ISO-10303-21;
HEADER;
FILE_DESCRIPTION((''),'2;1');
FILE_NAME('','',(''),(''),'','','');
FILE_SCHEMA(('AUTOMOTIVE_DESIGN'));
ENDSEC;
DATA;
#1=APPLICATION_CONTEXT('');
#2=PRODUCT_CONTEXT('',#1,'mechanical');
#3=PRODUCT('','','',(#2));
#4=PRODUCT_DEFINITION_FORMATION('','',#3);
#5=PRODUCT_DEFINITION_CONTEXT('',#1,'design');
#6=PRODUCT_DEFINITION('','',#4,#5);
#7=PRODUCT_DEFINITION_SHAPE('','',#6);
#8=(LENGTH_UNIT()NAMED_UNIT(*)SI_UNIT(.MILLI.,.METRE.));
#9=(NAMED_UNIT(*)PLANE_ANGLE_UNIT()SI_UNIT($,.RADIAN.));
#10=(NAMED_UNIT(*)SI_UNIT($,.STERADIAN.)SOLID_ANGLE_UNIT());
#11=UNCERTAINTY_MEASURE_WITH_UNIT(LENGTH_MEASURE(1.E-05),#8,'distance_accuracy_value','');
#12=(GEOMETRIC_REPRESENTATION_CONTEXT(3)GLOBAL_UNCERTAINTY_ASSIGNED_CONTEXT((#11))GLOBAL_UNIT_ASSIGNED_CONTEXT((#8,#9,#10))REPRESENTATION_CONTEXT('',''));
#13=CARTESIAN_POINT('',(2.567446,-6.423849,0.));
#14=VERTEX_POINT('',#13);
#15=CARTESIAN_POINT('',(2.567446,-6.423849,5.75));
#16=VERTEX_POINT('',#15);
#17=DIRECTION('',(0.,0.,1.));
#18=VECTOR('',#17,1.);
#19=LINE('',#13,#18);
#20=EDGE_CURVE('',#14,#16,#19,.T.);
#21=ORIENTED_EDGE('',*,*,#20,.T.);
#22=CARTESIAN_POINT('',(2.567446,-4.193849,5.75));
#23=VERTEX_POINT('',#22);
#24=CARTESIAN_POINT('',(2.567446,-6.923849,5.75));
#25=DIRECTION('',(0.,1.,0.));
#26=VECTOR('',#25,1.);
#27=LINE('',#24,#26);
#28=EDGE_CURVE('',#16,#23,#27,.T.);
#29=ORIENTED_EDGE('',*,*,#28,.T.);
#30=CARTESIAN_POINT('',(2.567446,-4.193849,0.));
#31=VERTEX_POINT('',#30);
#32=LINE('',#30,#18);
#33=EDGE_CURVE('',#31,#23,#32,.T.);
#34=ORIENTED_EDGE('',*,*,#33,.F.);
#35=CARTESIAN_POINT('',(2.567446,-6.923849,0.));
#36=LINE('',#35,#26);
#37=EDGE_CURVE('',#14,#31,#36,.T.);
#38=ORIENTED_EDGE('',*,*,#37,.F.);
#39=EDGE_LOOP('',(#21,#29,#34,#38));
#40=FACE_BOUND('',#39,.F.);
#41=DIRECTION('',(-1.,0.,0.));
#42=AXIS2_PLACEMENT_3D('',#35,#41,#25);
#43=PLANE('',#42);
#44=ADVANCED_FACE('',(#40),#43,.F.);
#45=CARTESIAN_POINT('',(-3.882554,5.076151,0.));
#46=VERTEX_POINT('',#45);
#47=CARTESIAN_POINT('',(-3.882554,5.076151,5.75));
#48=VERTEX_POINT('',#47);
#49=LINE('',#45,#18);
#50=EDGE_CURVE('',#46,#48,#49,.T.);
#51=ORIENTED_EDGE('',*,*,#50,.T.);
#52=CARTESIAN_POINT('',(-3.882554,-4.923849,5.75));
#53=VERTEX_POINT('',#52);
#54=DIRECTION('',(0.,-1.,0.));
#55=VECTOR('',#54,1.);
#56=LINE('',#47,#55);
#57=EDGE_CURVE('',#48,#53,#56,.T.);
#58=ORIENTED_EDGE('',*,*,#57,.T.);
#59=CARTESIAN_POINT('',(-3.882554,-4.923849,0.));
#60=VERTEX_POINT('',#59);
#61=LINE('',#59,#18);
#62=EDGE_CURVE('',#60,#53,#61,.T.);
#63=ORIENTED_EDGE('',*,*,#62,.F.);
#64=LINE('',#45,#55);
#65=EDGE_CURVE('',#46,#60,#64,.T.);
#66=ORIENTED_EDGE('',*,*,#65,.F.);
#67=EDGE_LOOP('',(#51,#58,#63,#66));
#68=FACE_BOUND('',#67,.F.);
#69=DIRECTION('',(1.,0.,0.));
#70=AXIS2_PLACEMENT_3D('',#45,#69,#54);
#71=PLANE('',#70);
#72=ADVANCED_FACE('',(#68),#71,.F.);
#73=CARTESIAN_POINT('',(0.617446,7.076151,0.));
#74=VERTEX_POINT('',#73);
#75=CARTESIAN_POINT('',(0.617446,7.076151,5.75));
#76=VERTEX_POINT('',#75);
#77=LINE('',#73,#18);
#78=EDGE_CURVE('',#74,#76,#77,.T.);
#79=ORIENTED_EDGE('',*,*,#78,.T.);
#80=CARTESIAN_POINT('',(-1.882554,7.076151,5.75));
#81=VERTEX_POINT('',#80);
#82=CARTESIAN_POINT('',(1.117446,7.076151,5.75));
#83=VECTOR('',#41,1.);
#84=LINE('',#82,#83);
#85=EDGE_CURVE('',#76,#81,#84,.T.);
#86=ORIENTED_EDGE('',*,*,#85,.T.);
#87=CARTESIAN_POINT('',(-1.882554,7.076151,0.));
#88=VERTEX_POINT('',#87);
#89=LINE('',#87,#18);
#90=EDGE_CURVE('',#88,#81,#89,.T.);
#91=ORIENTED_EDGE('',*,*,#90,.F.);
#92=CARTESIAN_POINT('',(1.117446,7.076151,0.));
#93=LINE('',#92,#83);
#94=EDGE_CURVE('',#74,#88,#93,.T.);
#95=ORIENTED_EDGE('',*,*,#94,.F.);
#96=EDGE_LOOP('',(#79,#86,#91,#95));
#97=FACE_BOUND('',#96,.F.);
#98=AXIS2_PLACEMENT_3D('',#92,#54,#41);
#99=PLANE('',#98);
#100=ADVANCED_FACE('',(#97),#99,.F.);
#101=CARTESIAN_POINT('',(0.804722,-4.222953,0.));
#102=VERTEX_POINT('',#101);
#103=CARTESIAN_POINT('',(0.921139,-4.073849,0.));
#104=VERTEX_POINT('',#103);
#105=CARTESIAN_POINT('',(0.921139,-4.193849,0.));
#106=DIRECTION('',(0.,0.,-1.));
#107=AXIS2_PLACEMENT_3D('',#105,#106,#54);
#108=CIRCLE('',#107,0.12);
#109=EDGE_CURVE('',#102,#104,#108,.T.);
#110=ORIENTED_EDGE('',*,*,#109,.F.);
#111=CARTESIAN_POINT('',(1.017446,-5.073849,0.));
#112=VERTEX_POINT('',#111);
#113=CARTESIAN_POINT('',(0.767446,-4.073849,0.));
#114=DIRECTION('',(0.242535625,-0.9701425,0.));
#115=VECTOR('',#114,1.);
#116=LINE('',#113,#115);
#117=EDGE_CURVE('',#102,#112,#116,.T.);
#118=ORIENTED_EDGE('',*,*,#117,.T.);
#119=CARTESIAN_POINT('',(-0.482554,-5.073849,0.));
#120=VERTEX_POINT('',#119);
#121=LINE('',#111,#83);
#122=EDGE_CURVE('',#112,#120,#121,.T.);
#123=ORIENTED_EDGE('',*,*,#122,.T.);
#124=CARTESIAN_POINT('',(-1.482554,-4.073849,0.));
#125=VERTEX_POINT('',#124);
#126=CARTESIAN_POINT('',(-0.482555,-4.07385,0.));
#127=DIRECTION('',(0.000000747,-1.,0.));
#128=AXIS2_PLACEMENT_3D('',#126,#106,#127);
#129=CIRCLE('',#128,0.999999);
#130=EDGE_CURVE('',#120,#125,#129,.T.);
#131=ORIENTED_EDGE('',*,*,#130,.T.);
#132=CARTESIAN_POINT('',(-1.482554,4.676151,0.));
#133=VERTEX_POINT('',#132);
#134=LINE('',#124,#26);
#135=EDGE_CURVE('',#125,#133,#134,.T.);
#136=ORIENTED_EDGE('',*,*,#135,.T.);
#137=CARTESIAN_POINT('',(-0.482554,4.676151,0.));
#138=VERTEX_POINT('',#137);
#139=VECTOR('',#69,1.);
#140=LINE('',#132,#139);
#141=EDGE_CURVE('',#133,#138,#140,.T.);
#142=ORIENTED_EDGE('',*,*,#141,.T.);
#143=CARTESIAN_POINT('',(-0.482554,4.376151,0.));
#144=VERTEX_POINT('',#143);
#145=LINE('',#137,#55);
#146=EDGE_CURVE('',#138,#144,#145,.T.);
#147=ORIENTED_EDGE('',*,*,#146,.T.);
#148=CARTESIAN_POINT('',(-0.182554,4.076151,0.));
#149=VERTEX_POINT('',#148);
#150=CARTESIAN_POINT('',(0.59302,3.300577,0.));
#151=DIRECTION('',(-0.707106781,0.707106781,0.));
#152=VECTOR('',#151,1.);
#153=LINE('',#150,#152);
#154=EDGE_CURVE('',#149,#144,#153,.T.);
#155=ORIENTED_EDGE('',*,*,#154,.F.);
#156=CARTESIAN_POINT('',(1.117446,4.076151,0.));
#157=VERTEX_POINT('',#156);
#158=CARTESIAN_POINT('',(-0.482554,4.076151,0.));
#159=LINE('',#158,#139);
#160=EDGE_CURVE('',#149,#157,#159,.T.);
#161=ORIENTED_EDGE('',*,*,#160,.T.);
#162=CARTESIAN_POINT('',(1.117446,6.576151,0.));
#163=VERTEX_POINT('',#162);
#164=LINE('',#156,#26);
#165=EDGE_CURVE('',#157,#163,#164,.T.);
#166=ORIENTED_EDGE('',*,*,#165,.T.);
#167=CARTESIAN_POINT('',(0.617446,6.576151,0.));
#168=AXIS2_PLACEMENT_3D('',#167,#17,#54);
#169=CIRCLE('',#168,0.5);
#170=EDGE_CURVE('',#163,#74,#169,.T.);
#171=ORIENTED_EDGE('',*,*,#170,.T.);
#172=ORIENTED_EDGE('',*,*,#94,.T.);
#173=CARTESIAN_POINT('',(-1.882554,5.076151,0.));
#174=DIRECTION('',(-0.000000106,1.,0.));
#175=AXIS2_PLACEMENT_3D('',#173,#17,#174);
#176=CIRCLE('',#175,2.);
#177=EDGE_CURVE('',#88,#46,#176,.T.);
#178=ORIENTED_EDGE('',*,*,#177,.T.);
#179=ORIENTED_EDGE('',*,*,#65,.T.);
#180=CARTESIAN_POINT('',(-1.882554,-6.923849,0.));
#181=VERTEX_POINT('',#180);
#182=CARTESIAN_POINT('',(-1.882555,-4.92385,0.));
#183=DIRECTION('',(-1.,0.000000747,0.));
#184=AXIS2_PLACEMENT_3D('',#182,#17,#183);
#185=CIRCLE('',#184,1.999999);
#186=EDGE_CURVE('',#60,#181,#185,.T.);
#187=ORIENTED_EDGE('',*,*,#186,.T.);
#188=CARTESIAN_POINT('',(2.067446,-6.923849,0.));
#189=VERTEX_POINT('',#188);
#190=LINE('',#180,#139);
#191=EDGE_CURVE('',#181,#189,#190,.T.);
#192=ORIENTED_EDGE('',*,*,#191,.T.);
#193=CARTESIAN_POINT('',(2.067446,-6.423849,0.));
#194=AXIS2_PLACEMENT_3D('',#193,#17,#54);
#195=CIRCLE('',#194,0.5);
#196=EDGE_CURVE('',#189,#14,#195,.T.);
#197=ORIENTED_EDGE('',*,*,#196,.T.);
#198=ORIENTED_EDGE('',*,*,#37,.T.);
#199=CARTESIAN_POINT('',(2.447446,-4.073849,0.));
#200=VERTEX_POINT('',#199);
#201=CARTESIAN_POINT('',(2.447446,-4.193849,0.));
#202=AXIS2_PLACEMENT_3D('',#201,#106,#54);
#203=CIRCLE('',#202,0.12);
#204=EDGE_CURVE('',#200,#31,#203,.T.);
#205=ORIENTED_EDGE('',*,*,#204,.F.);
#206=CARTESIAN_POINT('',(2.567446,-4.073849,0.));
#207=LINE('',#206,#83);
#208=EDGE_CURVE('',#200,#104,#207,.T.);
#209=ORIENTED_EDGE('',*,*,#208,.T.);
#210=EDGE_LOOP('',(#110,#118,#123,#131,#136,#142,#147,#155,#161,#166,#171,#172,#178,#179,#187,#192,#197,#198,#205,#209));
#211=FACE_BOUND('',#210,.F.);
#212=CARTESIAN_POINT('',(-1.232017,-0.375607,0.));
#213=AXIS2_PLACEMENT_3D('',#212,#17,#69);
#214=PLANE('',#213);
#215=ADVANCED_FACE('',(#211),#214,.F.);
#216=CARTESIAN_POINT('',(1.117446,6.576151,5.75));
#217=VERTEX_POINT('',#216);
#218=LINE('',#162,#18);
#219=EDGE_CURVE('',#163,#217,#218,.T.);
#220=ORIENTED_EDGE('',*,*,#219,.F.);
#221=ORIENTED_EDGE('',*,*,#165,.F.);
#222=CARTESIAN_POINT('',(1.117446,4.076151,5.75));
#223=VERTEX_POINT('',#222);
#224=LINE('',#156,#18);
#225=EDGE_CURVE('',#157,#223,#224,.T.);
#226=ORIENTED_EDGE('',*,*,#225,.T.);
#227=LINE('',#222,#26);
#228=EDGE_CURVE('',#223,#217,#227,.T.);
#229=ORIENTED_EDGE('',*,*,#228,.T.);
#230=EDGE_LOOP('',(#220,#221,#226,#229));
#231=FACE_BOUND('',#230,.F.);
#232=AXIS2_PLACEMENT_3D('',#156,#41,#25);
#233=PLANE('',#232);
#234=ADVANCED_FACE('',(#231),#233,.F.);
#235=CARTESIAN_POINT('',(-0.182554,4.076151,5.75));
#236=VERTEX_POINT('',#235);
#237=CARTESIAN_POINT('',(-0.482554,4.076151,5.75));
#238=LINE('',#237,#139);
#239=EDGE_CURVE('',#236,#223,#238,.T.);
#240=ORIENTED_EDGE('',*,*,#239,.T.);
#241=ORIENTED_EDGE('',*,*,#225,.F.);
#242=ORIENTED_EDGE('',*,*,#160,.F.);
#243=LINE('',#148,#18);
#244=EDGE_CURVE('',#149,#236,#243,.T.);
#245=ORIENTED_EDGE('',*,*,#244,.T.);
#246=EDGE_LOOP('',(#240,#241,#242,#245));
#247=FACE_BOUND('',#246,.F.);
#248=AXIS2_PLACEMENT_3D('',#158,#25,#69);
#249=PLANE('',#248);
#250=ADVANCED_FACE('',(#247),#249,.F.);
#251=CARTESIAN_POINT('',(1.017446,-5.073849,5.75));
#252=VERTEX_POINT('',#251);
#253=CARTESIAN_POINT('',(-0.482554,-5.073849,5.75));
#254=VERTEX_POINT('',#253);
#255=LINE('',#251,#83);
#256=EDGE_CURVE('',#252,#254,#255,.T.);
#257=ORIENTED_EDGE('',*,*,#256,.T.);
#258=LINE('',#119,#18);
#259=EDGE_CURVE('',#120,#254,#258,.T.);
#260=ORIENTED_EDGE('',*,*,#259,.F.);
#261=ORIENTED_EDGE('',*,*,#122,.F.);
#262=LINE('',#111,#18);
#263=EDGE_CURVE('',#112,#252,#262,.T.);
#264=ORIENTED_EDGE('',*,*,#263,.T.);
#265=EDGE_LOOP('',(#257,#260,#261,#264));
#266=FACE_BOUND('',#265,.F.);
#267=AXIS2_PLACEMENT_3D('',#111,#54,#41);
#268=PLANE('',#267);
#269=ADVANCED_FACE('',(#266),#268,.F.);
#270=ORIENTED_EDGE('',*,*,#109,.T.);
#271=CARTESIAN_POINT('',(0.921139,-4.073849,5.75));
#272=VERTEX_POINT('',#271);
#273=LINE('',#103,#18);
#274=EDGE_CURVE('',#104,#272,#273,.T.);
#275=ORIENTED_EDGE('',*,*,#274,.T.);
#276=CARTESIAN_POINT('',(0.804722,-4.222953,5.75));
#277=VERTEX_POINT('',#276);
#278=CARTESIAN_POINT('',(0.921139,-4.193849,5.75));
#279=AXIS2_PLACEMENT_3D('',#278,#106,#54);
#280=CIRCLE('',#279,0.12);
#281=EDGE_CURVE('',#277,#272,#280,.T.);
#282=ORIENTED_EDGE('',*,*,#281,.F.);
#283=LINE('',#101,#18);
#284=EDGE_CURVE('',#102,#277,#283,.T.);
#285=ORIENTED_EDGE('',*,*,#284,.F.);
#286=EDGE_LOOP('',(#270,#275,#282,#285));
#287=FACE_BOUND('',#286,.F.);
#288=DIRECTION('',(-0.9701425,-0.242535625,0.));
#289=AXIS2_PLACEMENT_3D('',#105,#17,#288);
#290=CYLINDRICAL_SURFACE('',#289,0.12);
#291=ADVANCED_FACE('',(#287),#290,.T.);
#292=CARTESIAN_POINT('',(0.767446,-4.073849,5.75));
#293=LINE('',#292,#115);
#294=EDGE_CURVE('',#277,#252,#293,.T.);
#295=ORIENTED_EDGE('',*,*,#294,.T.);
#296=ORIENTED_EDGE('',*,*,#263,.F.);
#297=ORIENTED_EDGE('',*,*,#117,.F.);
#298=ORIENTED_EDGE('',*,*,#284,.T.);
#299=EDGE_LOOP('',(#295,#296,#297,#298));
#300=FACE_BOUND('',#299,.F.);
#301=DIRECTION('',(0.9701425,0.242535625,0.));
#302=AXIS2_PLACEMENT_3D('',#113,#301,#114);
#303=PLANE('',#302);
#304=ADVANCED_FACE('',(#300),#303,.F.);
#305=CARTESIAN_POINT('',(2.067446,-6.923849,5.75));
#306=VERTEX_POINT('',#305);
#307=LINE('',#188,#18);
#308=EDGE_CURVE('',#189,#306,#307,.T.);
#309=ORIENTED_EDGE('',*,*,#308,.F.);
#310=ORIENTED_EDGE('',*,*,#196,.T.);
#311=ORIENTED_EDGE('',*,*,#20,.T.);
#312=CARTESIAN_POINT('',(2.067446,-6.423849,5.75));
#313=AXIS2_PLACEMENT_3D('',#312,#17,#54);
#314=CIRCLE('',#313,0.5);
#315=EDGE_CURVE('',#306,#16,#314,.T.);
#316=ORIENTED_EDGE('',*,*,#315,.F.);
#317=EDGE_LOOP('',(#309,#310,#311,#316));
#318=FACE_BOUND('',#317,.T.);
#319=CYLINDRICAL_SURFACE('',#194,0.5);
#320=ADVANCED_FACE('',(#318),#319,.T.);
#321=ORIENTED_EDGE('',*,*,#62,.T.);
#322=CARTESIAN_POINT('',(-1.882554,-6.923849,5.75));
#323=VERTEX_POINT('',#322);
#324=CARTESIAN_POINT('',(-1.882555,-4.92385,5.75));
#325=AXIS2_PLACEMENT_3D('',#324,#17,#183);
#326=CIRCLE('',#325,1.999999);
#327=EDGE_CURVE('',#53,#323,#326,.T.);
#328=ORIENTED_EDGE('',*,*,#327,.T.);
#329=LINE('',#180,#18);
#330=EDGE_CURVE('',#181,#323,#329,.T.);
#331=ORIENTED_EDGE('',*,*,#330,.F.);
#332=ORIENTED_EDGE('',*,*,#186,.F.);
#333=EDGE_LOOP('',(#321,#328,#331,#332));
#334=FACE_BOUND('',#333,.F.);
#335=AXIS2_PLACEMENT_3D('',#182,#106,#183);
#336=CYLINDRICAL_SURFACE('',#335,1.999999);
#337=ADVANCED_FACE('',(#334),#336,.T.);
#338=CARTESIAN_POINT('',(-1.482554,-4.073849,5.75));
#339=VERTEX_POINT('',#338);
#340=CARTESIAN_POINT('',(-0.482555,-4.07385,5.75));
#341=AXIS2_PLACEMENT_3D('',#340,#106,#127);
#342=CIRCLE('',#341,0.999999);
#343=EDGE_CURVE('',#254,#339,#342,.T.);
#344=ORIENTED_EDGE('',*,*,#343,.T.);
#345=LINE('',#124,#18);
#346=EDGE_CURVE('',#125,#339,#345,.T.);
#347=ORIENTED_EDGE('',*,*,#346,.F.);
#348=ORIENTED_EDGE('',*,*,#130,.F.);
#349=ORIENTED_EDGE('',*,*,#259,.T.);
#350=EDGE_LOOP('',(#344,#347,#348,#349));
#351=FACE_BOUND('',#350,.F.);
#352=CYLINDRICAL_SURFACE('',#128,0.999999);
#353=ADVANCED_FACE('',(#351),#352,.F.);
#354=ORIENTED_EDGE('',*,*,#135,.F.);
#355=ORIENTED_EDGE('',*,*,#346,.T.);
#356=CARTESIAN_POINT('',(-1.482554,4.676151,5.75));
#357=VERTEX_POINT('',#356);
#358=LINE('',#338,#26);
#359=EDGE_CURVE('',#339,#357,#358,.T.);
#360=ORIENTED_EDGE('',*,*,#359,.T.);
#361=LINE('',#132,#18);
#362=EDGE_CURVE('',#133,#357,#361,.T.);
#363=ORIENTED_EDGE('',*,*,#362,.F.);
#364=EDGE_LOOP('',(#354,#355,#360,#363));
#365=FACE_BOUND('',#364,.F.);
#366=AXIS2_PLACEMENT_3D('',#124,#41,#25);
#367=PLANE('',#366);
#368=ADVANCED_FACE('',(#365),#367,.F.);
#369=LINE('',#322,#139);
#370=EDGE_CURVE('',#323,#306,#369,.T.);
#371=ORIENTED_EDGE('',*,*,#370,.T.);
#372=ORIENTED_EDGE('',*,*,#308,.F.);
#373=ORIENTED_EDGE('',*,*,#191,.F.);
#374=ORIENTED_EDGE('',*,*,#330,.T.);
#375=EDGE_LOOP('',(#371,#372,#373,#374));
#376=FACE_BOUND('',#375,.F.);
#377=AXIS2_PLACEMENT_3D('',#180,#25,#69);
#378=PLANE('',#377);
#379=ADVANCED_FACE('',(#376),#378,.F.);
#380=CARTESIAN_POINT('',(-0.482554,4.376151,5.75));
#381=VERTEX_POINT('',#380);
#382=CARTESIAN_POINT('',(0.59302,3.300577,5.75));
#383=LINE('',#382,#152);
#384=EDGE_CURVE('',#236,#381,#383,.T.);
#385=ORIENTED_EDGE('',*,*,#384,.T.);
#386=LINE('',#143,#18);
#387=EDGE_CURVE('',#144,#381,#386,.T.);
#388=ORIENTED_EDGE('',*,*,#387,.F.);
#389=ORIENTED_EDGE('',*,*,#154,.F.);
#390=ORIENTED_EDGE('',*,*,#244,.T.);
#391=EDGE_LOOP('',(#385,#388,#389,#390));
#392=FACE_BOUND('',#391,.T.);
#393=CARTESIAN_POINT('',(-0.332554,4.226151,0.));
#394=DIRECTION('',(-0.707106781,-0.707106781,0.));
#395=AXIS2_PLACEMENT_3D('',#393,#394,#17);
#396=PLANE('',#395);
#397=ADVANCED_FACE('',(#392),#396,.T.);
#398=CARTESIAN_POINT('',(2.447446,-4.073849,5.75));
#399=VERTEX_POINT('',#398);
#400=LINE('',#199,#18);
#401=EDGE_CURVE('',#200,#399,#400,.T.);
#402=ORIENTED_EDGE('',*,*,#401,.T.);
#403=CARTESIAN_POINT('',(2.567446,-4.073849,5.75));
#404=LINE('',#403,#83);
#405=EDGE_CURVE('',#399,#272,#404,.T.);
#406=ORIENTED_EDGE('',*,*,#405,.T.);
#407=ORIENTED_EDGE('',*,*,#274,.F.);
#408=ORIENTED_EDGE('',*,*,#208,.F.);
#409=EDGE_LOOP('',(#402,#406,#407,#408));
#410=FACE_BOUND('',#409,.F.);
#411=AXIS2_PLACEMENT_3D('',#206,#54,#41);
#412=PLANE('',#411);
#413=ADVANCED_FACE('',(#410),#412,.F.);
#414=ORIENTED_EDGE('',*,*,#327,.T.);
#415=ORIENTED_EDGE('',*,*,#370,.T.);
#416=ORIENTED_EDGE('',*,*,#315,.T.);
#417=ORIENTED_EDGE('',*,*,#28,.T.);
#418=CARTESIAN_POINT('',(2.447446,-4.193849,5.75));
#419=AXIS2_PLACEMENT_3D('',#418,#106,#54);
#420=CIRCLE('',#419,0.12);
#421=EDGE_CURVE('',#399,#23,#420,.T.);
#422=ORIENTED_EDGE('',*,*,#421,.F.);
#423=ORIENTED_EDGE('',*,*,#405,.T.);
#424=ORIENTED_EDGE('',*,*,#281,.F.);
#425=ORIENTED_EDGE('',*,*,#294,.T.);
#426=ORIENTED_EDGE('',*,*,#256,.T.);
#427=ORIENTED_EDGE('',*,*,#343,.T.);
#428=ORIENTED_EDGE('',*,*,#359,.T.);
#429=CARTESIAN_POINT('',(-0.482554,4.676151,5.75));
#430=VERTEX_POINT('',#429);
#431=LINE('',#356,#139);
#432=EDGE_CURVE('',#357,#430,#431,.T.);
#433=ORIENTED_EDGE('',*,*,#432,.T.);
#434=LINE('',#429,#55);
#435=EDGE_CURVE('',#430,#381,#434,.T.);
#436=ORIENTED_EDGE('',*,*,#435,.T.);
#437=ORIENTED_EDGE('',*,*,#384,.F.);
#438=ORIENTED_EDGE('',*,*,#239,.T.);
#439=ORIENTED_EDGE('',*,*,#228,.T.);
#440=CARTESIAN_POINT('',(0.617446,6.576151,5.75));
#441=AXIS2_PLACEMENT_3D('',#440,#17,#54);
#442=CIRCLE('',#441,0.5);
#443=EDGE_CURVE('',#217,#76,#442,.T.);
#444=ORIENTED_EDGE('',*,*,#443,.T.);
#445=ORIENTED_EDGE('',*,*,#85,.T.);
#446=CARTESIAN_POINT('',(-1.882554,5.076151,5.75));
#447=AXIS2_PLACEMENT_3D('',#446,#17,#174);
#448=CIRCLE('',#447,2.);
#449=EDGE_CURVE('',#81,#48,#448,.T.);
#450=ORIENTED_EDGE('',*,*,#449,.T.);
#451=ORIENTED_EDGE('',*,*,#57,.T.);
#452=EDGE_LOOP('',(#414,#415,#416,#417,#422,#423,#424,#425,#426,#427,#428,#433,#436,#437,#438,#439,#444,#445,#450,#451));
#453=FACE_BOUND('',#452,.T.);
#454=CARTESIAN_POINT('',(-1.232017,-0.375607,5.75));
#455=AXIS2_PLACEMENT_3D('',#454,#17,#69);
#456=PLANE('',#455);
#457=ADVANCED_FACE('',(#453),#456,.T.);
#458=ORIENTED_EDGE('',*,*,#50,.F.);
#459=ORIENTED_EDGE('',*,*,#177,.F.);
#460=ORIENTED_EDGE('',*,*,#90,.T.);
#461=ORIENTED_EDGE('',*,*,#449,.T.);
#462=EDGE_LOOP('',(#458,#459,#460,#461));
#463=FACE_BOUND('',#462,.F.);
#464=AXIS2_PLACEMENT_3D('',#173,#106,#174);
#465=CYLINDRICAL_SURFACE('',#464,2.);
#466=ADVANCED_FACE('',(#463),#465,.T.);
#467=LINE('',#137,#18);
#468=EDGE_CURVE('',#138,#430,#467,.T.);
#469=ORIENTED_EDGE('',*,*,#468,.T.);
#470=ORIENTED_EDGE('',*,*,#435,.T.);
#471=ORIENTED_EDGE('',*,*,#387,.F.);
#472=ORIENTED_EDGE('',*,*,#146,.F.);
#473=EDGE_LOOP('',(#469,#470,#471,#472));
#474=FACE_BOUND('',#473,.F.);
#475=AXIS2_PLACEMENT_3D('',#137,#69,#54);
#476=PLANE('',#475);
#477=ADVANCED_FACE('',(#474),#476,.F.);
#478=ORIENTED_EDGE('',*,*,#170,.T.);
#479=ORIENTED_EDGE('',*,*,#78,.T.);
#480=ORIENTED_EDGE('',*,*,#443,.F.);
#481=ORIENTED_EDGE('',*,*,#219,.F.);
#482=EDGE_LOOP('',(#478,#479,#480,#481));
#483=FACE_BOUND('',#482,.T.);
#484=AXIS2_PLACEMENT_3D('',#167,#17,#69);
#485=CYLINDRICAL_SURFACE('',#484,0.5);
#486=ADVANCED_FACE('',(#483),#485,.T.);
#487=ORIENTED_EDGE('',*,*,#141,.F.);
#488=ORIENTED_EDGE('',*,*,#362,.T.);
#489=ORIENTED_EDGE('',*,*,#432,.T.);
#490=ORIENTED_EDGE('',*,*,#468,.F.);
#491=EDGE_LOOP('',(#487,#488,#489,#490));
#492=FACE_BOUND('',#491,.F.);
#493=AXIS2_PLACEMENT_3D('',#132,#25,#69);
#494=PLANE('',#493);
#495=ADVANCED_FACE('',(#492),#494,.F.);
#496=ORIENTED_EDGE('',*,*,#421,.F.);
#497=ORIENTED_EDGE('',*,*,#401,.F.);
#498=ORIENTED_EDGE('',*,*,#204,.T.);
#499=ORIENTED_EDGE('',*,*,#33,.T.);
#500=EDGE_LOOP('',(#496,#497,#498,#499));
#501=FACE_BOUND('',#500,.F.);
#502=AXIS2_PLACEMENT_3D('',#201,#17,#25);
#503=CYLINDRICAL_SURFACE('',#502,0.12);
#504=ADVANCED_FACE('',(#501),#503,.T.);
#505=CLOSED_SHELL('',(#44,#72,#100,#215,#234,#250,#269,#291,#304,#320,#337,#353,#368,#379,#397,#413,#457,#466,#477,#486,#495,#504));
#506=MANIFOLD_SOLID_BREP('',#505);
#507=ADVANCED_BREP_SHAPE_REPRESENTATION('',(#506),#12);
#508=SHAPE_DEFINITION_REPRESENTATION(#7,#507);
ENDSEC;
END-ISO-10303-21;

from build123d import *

# Parameters (mm, degrees)
F1_DEPTH = 5.75
F2_R     = 0.5
F3_SIZE  = 0.3
F4_R     = 0.12


with BuildPart() as f1:
    # F0 (on Top) → F1 (new body)
    with BuildSketch(Plane.XY):
        with BuildLine():
            Line((-0.482554, 4.676151), (-0.482554, 4.076151))
            Line((-0.482554, 4.076151), (1.117446, 4.076151))
            Line((1.117446, 4.076151), (1.117446, 7.076151))
            Line((1.117446, 7.076151), (-1.882554, 7.076151))
            ThreePointArc((-1.882554, 7.076151), (-3.296768, 6.490364), (-3.882554, 5.076151))
            Line((-3.882554, 5.076151), (-3.882554, -4.923849))
            ThreePointArc((-3.882554, -4.923849), (-3.296768, -6.338063), (-1.882554, -6.923849))
            Line((-1.882554, -6.923849), (2.567446, -6.923849))
            Line((2.567446, -6.923849), (2.567446, -4.073849))
            Line((2.567446, -4.073849), (0.767446, -4.073849))
            Line((0.767446, -4.073849), (1.017446, -5.073849))
            Line((1.017446, -5.073849), (-0.482554, -5.073849))
            ThreePointArc((-0.482554, -5.073849), (-1.189661, -4.780956), (-1.482554, -4.073849))
            Line((-1.482554, -4.073849), (-1.482554, 4.676151))
            Line((-1.482554, 4.676151), (-0.482554, 4.676151))
        make_face()
    extrude(amount=F1_DEPTH)

    # F2
    f2_edges = [f1.edges().sort_by_distance(p)[0] for p in [
        (2.567446, -6.923849, 2.875),
        (1.117446, 7.076151, 2.875),
    ]]
    fillet(f2_edges, radius=F2_R)

    # F3
    f3_edges = [f1.edges().sort_by_distance(p)[0] for p in [
        (-0.482554, 4.076151, 2.875),
    ]]
    chamfer(f3_edges, length=F3_SIZE)

    # F4
    f4_edges = [f1.edges().sort_by_distance(p)[0] for p in [
        (0.767446, -4.073849, 2.875),
        (2.567446, -4.073849, 2.875),
    ]]
    fillet(f4_edges, radius=F4_R)


solid = f1.part
